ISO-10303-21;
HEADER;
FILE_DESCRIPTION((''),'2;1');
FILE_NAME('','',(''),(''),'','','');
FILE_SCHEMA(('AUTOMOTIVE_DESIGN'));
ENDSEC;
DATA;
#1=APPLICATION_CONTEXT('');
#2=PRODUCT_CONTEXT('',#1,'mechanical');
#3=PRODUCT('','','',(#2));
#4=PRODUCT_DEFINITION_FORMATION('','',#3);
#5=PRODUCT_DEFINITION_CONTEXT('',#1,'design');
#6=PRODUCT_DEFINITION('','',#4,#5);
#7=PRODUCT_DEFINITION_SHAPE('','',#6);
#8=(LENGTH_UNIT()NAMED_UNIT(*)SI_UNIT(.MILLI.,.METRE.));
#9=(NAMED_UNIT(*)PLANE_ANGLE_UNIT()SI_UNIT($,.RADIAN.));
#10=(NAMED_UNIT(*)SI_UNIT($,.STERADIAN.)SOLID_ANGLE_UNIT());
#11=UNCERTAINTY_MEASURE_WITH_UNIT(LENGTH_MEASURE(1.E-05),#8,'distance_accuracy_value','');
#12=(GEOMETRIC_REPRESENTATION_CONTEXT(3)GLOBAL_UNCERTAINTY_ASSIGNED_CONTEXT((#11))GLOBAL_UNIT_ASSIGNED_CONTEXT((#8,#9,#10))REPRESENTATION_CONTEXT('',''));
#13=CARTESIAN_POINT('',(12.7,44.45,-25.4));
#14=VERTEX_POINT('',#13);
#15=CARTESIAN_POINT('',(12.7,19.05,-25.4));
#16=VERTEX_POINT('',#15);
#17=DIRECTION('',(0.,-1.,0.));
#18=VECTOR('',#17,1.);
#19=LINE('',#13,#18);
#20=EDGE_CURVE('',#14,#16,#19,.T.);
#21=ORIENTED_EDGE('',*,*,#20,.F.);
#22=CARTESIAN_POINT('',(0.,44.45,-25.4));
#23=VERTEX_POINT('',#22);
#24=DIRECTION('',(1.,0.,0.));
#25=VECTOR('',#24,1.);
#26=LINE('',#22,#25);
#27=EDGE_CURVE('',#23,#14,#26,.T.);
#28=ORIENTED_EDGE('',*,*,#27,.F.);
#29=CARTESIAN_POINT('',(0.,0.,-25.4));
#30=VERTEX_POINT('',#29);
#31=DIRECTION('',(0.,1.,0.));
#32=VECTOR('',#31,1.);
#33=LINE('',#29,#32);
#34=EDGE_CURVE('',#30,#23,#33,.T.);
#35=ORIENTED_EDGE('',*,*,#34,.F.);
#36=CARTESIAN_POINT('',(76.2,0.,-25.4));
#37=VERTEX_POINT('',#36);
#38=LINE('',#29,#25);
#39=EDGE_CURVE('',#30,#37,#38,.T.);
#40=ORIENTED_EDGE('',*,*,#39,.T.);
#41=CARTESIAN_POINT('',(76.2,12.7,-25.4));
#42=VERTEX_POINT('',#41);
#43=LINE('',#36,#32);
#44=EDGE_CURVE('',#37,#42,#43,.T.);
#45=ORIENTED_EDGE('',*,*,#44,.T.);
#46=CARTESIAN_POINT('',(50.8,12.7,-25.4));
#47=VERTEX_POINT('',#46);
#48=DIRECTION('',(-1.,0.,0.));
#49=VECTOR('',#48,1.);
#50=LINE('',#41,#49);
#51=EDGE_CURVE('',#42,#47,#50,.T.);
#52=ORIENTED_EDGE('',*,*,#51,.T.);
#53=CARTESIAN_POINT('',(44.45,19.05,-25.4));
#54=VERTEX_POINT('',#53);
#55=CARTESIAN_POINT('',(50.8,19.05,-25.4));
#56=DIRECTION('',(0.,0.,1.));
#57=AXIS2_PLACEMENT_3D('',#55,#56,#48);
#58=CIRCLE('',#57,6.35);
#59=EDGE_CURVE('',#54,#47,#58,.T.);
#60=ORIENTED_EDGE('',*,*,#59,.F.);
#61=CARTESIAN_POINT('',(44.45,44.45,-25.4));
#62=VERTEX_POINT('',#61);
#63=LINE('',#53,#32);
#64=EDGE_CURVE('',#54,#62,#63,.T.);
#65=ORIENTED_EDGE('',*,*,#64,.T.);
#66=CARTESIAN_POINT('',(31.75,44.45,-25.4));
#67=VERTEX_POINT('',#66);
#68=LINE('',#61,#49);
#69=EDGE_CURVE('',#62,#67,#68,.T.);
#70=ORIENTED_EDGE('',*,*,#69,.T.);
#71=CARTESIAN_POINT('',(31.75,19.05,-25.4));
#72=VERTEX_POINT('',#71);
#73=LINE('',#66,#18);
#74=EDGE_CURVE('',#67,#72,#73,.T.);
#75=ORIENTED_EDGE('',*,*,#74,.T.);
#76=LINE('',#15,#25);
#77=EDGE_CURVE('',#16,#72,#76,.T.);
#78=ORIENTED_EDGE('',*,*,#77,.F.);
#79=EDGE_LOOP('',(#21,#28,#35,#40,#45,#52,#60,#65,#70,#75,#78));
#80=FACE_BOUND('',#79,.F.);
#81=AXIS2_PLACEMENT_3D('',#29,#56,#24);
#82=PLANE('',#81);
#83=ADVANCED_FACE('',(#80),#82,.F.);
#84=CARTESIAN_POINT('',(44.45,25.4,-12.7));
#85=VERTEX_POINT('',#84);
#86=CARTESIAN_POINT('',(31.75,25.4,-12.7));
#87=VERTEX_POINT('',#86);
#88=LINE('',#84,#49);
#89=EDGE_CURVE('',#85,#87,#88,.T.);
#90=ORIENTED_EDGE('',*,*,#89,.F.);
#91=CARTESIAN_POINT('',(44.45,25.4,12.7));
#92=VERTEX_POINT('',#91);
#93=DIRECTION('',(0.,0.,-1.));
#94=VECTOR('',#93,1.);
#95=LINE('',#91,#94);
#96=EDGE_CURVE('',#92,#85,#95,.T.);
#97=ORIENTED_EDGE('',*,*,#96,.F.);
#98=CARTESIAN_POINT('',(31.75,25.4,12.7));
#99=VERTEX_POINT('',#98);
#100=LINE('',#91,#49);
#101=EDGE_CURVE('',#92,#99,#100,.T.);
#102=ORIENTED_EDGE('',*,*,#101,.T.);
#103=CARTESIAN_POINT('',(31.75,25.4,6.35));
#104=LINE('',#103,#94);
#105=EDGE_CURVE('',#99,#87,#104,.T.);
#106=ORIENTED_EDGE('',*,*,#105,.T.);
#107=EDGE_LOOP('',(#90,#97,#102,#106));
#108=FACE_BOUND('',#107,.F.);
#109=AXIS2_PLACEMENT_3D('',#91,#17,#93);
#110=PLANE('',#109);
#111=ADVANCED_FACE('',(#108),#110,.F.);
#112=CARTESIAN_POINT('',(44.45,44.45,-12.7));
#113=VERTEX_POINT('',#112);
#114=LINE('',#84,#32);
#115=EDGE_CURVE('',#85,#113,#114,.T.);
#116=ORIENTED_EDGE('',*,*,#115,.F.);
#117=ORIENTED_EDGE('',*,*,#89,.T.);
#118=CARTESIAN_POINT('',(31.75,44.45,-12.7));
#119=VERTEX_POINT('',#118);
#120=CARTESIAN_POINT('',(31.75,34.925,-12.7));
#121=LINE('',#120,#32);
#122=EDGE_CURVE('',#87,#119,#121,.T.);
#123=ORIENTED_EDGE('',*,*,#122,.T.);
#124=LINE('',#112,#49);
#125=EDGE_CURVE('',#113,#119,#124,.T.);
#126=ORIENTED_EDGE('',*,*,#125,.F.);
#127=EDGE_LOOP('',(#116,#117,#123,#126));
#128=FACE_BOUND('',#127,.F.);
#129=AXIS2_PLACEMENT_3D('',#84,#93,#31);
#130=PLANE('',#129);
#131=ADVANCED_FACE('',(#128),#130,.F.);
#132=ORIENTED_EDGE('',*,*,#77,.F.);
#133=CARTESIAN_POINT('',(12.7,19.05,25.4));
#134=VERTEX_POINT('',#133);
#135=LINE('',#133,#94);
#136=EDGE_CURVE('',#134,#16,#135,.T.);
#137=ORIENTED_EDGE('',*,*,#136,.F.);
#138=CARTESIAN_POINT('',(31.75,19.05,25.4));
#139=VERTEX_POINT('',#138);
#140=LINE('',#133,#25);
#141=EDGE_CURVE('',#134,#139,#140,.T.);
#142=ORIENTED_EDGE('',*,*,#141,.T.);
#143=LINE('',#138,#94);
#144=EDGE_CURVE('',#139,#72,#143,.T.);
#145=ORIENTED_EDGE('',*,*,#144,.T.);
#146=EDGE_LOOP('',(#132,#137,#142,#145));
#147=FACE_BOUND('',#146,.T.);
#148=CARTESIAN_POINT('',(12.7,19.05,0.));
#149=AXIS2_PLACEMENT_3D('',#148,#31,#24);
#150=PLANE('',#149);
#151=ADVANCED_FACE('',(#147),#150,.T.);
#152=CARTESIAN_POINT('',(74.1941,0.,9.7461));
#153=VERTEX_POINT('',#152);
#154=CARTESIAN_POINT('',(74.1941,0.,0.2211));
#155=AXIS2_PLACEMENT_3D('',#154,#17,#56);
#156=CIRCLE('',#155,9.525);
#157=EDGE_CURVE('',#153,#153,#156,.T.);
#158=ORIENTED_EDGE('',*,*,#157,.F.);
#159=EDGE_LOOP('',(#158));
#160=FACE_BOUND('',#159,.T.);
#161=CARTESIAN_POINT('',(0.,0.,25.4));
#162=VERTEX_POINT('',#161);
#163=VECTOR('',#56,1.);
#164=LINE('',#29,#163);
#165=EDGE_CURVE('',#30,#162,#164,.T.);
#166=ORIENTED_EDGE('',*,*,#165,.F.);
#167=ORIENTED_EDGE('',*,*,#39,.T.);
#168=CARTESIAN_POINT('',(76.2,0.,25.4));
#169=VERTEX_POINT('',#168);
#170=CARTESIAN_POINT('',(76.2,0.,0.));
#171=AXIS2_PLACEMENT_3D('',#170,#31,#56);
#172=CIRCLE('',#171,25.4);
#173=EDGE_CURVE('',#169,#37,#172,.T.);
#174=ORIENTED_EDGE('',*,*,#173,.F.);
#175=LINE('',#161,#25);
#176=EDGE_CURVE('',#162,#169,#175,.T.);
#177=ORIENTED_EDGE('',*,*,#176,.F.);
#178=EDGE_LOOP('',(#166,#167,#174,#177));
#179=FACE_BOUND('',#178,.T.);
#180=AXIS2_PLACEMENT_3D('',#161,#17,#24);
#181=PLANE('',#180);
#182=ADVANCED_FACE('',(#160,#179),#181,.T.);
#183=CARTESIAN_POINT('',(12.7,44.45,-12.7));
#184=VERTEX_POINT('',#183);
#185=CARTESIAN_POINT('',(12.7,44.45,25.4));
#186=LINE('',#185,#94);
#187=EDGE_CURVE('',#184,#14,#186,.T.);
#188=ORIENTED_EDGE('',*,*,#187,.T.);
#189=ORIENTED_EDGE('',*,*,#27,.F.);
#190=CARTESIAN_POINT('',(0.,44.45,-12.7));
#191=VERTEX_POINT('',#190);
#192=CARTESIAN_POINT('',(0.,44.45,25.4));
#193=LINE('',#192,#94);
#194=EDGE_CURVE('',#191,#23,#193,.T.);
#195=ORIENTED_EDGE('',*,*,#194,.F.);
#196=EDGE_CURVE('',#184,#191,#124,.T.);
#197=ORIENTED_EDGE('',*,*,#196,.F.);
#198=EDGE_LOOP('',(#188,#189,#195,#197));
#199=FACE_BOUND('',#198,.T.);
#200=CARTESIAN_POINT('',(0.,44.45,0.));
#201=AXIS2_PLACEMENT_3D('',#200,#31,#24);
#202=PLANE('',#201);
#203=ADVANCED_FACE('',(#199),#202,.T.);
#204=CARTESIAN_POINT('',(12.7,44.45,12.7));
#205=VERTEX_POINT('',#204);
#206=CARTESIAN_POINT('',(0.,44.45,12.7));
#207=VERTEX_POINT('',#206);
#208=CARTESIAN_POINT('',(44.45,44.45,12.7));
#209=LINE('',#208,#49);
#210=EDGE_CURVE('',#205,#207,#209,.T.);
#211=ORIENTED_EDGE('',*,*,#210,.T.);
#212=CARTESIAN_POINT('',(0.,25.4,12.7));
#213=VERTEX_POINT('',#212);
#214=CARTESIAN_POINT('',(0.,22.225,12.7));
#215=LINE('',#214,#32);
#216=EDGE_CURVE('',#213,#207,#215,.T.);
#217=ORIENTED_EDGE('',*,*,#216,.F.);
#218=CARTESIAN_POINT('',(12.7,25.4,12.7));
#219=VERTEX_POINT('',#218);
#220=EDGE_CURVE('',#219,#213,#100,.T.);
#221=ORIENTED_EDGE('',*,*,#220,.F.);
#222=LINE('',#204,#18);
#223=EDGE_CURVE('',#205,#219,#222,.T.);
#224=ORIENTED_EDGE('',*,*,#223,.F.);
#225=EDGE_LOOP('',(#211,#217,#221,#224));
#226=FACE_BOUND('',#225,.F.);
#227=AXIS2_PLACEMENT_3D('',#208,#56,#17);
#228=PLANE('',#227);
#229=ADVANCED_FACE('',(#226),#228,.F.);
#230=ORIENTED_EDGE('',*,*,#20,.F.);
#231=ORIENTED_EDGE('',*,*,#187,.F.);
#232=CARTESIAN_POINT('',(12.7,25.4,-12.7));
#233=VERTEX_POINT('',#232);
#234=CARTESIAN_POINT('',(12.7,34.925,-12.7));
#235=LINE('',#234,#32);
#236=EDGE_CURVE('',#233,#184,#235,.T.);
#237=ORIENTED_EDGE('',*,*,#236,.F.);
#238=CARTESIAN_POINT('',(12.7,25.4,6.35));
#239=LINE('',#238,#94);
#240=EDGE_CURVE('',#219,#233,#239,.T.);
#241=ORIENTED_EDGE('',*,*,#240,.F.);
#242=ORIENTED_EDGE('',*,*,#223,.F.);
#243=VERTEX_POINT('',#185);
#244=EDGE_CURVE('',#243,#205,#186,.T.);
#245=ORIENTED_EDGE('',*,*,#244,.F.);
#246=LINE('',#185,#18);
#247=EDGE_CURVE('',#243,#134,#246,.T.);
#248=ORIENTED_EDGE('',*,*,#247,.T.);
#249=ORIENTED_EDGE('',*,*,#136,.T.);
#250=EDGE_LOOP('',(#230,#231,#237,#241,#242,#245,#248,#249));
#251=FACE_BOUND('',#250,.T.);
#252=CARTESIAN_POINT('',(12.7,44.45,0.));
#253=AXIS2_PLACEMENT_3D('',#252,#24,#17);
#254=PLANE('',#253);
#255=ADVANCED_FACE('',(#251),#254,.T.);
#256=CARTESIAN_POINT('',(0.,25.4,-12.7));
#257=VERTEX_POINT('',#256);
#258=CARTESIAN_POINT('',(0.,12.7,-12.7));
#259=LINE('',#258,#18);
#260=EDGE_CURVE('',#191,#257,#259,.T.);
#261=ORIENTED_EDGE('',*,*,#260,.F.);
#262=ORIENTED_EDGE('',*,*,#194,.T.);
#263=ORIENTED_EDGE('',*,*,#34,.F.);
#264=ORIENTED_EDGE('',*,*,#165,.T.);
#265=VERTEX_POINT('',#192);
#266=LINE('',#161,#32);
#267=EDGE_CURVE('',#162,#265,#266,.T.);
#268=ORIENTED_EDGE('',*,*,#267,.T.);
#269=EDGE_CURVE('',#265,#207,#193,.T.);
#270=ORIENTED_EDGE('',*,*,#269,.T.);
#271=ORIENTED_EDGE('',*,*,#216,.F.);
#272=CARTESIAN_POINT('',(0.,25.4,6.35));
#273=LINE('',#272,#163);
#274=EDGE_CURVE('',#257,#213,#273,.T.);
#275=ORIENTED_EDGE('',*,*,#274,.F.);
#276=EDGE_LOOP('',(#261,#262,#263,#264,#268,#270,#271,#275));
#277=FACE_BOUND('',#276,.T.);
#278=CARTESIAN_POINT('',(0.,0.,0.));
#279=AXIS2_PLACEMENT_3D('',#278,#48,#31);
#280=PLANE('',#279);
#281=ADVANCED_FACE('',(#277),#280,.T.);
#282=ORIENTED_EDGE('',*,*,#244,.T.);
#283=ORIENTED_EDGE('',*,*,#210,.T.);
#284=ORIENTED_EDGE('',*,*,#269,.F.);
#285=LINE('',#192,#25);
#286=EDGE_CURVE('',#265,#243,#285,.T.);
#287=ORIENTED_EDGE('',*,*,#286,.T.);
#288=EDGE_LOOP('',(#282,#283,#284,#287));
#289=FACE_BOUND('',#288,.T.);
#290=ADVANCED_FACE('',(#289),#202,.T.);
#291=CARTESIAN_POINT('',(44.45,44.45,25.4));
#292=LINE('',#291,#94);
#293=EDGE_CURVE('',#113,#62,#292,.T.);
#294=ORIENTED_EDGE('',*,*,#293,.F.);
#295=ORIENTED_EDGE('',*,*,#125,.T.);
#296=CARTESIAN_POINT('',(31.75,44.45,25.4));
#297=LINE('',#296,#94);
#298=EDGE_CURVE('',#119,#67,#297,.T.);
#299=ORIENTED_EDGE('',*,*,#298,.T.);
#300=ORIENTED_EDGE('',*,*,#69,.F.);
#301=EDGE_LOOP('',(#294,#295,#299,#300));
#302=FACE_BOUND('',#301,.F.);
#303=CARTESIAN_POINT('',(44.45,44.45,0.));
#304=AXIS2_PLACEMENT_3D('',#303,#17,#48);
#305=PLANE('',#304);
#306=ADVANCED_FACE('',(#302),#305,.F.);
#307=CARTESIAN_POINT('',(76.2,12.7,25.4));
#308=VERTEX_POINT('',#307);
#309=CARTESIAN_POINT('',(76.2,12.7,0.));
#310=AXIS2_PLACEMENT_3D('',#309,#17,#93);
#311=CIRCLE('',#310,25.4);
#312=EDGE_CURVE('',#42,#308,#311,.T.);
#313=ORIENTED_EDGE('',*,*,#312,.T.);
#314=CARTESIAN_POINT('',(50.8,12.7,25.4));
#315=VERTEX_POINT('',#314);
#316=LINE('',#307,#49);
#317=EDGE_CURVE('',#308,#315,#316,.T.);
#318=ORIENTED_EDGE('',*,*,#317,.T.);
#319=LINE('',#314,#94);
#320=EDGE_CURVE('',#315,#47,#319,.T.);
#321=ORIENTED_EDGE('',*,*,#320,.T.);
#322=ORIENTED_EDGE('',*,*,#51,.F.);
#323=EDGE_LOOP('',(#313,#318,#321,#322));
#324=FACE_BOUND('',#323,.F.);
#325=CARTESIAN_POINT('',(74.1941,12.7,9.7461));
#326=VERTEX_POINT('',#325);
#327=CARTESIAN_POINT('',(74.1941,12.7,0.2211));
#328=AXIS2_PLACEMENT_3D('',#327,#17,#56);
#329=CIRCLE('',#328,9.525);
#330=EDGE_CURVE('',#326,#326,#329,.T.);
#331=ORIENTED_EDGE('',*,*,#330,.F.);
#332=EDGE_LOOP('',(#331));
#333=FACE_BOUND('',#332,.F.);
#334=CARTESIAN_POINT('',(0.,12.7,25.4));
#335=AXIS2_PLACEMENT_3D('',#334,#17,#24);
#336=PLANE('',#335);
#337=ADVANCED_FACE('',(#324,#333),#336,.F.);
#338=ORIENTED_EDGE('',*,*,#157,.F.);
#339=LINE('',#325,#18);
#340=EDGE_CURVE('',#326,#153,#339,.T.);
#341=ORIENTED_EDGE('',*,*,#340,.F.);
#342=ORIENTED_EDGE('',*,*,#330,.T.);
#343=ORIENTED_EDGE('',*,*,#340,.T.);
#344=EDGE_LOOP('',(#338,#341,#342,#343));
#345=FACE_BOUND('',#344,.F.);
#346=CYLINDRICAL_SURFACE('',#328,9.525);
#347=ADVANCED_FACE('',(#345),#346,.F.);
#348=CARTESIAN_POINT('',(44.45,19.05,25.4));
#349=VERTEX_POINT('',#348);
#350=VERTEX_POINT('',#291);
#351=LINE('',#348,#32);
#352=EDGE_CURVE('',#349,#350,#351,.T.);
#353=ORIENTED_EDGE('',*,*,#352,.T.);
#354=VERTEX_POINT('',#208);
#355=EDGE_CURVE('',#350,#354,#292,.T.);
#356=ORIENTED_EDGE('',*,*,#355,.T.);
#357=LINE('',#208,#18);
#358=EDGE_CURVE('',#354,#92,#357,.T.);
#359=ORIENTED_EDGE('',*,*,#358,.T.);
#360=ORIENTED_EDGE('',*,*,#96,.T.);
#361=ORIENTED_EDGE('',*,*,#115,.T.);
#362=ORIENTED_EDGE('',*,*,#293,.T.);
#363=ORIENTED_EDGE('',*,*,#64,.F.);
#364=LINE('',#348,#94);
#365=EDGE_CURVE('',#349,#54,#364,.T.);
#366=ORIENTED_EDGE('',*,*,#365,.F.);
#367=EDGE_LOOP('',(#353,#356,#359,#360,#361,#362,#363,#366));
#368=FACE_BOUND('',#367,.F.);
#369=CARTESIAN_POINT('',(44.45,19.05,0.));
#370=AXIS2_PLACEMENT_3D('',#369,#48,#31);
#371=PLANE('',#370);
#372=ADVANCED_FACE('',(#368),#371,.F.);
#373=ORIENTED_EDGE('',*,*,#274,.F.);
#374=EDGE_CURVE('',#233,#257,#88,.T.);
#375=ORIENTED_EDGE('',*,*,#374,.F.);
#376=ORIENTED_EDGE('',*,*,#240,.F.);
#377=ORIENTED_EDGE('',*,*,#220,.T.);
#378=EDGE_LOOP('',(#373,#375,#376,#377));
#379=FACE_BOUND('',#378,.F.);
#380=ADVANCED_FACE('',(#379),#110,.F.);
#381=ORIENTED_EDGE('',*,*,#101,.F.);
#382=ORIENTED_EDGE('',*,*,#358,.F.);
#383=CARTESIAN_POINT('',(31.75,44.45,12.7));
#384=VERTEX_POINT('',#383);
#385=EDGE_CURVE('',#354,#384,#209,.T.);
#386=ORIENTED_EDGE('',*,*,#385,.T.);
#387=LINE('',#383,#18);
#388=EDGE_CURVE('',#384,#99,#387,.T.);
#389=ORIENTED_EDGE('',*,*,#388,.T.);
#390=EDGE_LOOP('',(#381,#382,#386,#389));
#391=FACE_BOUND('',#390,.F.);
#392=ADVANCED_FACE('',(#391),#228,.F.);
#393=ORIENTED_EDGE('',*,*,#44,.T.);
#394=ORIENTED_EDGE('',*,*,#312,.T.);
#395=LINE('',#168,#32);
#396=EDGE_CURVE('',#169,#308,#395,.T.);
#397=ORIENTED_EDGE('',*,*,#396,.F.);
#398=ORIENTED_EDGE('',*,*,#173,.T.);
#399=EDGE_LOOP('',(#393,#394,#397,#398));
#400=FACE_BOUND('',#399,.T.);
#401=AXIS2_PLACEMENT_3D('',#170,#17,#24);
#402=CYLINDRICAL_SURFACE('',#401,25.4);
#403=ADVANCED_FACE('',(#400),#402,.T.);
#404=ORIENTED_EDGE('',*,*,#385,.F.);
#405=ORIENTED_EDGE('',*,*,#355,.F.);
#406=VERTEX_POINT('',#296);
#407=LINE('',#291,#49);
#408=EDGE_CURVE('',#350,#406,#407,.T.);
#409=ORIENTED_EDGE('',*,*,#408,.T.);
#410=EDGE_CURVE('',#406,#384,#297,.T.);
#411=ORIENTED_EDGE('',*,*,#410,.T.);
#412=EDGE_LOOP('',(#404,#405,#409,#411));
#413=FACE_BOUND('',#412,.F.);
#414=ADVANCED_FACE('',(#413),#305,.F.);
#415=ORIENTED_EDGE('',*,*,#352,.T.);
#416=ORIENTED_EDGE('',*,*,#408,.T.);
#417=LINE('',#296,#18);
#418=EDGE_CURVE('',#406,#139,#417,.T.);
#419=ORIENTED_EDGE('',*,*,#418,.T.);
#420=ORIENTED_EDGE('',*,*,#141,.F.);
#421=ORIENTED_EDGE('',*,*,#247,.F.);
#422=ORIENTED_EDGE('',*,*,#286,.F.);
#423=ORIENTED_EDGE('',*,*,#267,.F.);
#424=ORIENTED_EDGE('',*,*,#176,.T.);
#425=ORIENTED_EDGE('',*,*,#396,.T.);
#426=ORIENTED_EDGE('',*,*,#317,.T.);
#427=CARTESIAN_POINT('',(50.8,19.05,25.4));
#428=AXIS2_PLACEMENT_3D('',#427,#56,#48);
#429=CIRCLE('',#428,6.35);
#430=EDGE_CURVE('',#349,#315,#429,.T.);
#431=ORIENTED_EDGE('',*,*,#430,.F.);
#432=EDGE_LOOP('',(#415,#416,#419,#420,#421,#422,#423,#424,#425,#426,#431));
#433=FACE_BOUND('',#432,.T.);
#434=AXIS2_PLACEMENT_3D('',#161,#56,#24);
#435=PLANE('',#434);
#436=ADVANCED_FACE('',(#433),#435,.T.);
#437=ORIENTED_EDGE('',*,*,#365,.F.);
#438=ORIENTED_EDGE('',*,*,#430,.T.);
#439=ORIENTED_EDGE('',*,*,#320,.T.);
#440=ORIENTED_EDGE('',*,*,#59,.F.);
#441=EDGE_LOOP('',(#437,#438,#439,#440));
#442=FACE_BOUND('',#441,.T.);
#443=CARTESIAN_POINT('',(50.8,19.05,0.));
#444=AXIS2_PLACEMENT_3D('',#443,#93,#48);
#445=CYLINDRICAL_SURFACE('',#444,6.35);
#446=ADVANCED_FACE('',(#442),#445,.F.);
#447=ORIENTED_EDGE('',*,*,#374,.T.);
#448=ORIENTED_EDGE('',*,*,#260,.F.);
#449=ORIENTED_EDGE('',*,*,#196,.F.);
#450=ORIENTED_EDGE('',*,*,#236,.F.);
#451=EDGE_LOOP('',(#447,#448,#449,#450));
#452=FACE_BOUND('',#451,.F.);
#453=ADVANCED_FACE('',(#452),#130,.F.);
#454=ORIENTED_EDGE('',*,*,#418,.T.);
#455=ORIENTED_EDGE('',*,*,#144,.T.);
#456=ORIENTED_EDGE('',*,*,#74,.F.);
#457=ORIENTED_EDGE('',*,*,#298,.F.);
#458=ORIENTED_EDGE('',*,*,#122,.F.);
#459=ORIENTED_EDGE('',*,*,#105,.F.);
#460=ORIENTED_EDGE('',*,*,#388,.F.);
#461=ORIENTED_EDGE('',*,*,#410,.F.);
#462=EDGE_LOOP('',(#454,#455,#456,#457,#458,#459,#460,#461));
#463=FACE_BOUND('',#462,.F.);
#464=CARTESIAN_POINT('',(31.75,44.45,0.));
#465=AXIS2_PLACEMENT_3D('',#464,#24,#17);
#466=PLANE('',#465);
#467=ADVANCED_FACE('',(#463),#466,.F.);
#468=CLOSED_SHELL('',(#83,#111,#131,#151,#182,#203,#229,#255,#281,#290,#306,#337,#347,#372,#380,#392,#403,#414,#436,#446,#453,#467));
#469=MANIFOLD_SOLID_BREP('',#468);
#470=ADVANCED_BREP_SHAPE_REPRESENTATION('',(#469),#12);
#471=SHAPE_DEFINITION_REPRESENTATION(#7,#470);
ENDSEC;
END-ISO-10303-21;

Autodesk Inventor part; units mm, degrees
ref_plane "YZ Plane" through (0, 0, 0) normal (1, 0, 0) x (0, 1, 0)
ref_plane "XZ Plane" through (0, 0, 0) normal (0, 1, 0) x (-1, 0, 0)
ref_plane "XY Plane" through (0, 0, 0) normal (0, 0, 1) x (1, 0, 0)
sketch "Sketch1" plane through (0, 0, 0) normal (0, 0, 1) x (1, 0, 0)
  line L0 (0, 0) -> (0, 44.45)
  line L1 (0, 44.45) -> (12.7, 44.45)
  line L2 (0, 0) -> (76.2, 0)
  line L3 (76.2, 0) -> (76.2, 12.7)
  line L4 (76.2, 12.7) -> (50.8, 12.7)
  line L5 (44.45, 19.05) -> (44.45, 44.45)
  line L6 (44.45, 44.45) -> (31.75, 44.45)
  line L7 (31.75, 44.45) -> (31.75, 19.05)
  line L8 (12.7, 44.45) -> (12.7, 19.05)
  line L9 (12.7, 19.05) -> (31.75, 19.05)
  arc A0 (44.45, 19.05) -> (50.8, 12.7) centre (50.8, 19.05) ccw
  point P0 (44.45, 12.7)
  dimension "d0" = 44.45
  dimension "d1" = 12.7
  dimension "d2" = 76.2
  dimension "d3" = 12.7
  dimension "d4" = 31.75
  dimension "d5" = 31.75
  dimension "d6" = 12.7
  dimension "d7" = 25.4
  dimension "d8" = 25.4
  dimension "d9" = 19.05
  dimension "d26" = 6.35
extrude "Base" add sketch "Sketch1" along normal mid plane 50.8
sketch "Sketch2" plane through (0, 0, 25.4) normal (0, -1, 0) x (1, 0, 0)
  line L0 (76.2, -50.8) -> (76.2, 0) projected
  circle A0 centre (76.2, -25.4) radius 25.4
  point P0 (0, -25.4)
  point P1 (76.2, 0)
extrude "Circle_EXT" add sketch "Sketch2" against normal up to surface (12.7 mm away) contours L0 A0 picked at (83.8282, -21.7265)
sketch "Sketch3" plane through (44.45, 12.7, 25.4) normal (0, 1, 0) x (1, 0, 0)
  point P0 (-44.45, 25.4)
  point P1 (29.7441, 25.1789)
hole "Hole1" at (74.1941, 12.7, 0.2211) direction (0, -1, 0) diameter 19.05 end through all
sketch "Sketch4" plane through (44.45, 12.7, 25.4) normal (1, 0, 0) x (0, 0, -1)
  line L0 (0, 31.75) -> (0, 6.35) projected
  line L1 (0, 31.75) -> (50.8, 31.75) projected
  line L2 (12.7, 31.75) -> (12.7, 12.7)
  line L3 (12.7, 12.7) -> (38.1, 12.7)
  line L4 (38.1, 12.7) -> (38.1, 31.75)
  point P0 (25.4, -12.7)
  dimension "d22" = 19.05
  dimension "d23" = 25.4
extrude "RECT_CUT" cut sketch "Sketch4" against normal through all
properties part number "Saddle Bracket" material "Iron, Cast"
